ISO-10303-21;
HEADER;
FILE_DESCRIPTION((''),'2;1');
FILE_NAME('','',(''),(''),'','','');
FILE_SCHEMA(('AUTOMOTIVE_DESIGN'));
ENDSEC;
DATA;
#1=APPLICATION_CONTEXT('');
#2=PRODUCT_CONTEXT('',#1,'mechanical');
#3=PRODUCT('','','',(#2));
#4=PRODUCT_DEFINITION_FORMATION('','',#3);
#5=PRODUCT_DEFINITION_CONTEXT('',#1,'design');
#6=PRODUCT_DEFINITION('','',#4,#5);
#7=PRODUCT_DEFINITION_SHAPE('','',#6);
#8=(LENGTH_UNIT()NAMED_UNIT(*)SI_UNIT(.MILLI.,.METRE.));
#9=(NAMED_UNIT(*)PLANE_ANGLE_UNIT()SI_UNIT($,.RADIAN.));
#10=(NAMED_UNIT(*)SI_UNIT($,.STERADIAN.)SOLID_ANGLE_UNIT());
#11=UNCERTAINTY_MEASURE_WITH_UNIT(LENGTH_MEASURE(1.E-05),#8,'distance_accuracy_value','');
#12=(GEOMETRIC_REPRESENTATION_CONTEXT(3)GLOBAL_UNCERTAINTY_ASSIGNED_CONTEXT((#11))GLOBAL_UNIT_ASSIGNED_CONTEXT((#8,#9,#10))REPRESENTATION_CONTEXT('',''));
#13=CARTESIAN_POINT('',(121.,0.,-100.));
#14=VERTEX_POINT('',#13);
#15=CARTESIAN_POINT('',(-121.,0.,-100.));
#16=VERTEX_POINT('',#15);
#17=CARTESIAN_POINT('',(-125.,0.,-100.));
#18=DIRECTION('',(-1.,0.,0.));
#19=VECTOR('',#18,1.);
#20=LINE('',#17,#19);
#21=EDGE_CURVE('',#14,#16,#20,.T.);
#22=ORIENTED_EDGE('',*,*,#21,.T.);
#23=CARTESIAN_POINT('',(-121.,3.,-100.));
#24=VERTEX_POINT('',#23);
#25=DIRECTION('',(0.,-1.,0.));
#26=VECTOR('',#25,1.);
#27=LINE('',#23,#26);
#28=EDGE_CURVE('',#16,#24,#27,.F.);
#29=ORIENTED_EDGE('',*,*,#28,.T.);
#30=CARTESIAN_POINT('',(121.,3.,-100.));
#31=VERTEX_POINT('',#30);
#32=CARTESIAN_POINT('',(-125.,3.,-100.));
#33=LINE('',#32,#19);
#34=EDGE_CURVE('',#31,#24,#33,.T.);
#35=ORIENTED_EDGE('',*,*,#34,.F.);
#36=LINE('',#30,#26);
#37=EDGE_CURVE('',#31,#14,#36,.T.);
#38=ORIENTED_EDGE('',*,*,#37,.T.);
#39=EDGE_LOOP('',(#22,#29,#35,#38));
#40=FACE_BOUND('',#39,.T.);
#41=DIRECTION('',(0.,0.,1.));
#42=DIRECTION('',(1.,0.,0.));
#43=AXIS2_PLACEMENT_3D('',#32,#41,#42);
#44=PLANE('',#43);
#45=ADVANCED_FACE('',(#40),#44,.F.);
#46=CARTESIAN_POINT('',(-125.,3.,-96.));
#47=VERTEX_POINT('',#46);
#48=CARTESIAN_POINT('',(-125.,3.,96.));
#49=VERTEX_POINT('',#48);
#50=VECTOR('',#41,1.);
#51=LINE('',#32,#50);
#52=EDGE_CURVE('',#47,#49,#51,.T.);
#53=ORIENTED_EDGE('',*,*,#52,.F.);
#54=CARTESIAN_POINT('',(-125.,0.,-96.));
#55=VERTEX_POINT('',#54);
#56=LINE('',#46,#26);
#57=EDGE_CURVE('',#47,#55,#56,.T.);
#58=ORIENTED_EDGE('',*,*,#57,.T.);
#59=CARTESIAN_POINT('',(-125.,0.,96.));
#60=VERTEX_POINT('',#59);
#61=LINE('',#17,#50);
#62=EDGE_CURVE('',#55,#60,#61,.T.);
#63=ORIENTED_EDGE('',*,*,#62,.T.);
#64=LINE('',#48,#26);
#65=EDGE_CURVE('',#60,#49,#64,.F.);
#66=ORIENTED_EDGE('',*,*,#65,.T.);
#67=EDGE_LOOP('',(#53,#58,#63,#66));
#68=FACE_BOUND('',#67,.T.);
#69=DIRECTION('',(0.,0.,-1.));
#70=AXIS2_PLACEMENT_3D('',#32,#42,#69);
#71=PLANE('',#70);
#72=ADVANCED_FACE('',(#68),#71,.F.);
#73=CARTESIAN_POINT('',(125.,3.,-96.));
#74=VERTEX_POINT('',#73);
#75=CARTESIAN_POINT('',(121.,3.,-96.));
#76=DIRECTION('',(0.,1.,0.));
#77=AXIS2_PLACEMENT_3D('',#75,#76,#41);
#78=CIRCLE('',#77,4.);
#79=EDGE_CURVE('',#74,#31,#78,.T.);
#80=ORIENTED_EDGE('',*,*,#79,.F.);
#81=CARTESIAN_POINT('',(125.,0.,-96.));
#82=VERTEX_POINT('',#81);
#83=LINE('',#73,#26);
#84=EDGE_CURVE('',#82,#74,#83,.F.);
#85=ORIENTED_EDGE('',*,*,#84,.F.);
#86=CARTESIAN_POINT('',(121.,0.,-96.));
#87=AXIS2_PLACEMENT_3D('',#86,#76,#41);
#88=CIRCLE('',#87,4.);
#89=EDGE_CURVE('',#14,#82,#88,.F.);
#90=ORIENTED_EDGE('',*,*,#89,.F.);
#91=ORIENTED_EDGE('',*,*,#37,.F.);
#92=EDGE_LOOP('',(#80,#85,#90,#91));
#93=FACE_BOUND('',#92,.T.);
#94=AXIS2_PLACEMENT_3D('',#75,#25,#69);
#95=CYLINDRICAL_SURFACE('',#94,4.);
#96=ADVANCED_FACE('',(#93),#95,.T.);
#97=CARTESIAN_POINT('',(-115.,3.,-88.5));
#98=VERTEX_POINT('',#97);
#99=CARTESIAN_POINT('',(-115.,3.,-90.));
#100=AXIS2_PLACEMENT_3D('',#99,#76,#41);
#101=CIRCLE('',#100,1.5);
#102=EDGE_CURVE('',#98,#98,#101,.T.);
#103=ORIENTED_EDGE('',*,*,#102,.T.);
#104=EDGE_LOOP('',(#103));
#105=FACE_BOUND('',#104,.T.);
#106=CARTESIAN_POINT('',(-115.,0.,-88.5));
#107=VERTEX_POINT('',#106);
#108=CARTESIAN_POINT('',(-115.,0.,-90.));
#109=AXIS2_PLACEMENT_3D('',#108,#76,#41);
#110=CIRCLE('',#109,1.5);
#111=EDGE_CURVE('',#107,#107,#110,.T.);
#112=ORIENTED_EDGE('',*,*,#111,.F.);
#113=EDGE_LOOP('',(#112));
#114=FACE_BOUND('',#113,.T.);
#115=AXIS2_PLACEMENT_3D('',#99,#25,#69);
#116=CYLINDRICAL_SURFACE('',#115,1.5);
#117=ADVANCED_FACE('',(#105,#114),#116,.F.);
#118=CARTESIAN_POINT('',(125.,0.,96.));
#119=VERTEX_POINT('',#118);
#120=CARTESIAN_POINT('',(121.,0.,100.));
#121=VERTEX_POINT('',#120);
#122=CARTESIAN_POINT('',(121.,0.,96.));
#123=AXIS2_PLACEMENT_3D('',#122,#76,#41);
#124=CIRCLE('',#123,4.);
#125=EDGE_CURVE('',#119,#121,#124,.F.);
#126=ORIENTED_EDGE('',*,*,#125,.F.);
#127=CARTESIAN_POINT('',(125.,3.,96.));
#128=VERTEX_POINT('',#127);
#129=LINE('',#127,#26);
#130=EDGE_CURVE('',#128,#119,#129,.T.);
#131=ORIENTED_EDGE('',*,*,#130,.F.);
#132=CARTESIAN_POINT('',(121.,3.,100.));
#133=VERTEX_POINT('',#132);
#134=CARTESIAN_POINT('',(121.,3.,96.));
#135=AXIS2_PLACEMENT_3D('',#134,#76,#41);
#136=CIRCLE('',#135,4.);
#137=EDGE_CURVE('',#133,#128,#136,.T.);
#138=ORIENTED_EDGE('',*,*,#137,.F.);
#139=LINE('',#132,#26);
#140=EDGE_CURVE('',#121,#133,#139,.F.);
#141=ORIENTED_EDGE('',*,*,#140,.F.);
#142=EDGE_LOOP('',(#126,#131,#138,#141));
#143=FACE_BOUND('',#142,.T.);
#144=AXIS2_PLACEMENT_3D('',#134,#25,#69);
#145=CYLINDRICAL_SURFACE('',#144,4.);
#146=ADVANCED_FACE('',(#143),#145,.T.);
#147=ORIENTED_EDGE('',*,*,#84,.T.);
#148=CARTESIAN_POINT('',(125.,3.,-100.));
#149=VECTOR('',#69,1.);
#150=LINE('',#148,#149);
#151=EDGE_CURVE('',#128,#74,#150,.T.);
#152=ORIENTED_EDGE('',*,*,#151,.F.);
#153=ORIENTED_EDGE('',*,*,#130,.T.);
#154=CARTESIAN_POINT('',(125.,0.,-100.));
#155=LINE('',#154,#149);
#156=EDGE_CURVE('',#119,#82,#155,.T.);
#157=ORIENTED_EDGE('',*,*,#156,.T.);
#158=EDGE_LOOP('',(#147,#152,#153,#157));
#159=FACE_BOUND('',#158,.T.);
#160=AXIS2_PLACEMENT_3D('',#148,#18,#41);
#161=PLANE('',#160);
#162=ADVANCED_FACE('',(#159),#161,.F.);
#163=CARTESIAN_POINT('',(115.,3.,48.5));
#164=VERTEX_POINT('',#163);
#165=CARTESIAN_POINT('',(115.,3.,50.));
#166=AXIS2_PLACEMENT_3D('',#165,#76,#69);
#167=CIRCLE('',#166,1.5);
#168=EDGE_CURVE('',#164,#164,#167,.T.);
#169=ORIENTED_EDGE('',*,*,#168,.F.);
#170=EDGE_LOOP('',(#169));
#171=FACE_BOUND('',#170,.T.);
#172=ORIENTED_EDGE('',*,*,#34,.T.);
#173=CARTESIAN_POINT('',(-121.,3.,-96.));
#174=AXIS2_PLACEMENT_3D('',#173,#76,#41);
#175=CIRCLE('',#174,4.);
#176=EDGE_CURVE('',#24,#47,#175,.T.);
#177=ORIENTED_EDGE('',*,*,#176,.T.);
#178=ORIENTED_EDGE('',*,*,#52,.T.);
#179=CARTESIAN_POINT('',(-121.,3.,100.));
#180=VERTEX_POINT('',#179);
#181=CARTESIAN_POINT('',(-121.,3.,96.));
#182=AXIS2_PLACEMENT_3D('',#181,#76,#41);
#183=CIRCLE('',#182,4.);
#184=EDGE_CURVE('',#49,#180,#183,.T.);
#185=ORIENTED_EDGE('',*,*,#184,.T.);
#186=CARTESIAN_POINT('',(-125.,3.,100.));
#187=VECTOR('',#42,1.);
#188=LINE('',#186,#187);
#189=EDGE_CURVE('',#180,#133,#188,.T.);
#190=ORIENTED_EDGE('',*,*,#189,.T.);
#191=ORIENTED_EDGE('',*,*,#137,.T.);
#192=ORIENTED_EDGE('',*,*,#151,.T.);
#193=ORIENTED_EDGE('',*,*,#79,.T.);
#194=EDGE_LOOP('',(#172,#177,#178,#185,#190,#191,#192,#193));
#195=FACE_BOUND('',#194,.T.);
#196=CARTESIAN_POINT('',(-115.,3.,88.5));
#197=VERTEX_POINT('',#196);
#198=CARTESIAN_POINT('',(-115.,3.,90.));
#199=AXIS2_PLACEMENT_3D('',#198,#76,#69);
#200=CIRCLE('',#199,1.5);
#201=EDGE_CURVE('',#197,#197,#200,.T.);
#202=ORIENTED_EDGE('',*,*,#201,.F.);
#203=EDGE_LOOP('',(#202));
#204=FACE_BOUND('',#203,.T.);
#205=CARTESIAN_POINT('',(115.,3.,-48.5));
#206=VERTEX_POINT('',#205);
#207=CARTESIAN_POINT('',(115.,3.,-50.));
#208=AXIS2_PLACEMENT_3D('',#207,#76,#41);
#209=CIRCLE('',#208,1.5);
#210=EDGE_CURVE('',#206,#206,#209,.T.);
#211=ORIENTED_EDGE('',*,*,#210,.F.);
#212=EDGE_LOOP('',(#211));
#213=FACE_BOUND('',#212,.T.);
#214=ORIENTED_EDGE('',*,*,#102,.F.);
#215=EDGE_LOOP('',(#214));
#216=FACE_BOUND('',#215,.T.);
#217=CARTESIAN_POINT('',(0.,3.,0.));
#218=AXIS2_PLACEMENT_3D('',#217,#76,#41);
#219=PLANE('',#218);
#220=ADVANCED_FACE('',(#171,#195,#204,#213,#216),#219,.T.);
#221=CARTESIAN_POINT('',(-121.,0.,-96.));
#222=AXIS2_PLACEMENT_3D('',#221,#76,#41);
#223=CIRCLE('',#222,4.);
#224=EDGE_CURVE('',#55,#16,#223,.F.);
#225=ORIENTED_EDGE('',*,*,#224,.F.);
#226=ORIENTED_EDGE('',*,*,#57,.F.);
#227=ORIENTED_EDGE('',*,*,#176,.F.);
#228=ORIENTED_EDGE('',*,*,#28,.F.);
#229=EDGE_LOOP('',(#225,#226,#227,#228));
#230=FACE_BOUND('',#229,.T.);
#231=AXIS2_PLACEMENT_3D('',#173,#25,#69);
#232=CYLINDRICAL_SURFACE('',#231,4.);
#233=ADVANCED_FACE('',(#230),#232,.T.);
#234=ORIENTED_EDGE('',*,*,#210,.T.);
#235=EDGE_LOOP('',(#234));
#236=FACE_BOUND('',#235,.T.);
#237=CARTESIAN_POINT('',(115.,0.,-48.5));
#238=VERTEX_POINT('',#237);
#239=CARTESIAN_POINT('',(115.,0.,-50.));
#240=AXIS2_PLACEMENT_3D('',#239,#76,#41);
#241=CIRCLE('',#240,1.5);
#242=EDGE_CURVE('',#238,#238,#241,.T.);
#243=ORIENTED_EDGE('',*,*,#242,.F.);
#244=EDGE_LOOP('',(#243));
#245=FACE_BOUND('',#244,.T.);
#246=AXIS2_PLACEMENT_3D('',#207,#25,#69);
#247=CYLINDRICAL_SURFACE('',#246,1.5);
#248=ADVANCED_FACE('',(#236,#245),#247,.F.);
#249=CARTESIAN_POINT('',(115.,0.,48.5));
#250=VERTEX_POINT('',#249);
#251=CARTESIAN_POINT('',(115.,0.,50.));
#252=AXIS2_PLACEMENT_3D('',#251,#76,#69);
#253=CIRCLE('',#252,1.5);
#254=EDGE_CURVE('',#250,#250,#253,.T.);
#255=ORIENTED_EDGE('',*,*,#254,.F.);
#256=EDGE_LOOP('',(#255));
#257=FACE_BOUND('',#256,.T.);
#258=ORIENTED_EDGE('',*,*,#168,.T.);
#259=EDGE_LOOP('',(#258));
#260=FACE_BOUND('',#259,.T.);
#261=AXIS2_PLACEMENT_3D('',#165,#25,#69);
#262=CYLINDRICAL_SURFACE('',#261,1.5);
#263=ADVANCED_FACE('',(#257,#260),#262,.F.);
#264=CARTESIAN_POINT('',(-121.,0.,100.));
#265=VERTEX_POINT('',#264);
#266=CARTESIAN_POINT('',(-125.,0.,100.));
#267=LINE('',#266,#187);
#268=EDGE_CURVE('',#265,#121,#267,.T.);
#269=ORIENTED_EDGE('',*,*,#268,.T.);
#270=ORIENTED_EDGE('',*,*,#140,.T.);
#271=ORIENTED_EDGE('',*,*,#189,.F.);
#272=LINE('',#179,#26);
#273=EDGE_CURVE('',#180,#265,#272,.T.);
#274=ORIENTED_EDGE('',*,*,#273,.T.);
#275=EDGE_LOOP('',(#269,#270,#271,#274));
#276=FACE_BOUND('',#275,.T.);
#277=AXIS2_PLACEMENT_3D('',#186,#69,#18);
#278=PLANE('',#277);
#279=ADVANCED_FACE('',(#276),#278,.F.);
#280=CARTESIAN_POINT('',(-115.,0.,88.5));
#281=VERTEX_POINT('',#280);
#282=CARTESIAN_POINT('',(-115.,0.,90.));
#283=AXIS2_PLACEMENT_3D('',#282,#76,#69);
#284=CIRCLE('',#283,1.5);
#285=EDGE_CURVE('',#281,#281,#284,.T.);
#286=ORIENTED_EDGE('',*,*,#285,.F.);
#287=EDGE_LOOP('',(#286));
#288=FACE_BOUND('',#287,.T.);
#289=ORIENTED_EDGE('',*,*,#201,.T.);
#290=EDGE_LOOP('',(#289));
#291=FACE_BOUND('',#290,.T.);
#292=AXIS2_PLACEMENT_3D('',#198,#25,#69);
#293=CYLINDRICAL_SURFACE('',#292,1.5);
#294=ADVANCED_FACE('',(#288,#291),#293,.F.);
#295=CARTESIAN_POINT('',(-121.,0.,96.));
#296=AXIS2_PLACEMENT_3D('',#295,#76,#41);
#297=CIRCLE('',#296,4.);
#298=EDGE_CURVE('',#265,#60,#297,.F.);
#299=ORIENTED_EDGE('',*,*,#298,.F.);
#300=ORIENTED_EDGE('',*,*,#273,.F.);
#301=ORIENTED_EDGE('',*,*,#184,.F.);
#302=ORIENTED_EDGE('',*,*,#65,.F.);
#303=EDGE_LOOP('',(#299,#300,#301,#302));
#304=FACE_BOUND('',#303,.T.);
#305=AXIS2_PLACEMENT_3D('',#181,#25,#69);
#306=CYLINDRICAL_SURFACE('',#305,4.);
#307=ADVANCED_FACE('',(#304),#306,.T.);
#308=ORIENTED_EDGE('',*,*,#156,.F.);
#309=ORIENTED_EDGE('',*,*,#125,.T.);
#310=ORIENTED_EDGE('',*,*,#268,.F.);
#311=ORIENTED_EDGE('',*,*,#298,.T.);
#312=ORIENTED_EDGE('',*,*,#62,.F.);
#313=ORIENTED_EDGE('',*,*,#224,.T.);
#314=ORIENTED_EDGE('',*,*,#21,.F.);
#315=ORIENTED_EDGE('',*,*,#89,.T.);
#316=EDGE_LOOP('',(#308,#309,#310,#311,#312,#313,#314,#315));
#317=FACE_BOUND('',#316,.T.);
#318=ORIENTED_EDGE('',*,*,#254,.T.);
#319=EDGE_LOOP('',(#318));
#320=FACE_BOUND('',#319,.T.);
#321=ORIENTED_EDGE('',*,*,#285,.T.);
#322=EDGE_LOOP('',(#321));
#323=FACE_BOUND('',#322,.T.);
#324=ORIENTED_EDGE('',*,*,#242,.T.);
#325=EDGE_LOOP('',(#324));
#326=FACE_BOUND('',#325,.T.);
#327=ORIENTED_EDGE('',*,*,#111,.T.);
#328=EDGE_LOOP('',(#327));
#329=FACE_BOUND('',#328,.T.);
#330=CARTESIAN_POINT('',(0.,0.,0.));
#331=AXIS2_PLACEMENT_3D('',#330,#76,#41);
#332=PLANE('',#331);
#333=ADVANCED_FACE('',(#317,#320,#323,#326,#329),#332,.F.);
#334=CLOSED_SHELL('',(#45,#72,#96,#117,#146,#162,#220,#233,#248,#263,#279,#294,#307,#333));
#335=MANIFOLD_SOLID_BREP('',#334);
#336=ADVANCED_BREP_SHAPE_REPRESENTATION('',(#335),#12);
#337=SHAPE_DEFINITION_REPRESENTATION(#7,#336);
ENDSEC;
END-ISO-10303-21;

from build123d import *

# Parameters (mm, degrees)
SKETCH1_W           = 250
SKETCH1_H           = 200
SKETCH1_R           = 1.5
BOSS_EXTRUDE1_DEPTH = 3
FILLET1_R           = 4


with BuildPart() as part:
    # Sketch1 → Boss-Extrude1 (new body)
    with BuildSketch(Plane(origin=(0, 0, 0), x_dir=(1, 0, 0), z_dir=(0, 1, 0))):
        Rectangle(SKETCH1_W, SKETCH1_H)
        with Locations(Location((-115, 90, 0), (0, 0, 270))):
            Circle(SKETCH1_R, mode=Mode.SUBTRACT)
        with Locations(Location((115, 50, 0), (0, 0, 270))):
            Circle(SKETCH1_R, mode=Mode.SUBTRACT)
        with Locations(Location((115, -50, 0), (0, 0, 90))):
            Circle(SKETCH1_R, mode=Mode.SUBTRACT)
        with Locations(Location((-115, -90, 0), (0, 0, 90))):
            Circle(SKETCH1_R, mode=Mode.SUBTRACT)
    extrude(amount=BOSS_EXTRUDE1_DEPTH)

    # Fillet1
    fillet1_edges = [part.edges().sort_by_distance(p)[0] for p in [
        (125, 1.5, 100),
        (-125, 1.5, 100),
        (-125, 1.5, -100),
        (125, 1.5, -100),
    ]]
    fillet(fillet1_edges, radius=FILLET1_R)


solid = part.part
